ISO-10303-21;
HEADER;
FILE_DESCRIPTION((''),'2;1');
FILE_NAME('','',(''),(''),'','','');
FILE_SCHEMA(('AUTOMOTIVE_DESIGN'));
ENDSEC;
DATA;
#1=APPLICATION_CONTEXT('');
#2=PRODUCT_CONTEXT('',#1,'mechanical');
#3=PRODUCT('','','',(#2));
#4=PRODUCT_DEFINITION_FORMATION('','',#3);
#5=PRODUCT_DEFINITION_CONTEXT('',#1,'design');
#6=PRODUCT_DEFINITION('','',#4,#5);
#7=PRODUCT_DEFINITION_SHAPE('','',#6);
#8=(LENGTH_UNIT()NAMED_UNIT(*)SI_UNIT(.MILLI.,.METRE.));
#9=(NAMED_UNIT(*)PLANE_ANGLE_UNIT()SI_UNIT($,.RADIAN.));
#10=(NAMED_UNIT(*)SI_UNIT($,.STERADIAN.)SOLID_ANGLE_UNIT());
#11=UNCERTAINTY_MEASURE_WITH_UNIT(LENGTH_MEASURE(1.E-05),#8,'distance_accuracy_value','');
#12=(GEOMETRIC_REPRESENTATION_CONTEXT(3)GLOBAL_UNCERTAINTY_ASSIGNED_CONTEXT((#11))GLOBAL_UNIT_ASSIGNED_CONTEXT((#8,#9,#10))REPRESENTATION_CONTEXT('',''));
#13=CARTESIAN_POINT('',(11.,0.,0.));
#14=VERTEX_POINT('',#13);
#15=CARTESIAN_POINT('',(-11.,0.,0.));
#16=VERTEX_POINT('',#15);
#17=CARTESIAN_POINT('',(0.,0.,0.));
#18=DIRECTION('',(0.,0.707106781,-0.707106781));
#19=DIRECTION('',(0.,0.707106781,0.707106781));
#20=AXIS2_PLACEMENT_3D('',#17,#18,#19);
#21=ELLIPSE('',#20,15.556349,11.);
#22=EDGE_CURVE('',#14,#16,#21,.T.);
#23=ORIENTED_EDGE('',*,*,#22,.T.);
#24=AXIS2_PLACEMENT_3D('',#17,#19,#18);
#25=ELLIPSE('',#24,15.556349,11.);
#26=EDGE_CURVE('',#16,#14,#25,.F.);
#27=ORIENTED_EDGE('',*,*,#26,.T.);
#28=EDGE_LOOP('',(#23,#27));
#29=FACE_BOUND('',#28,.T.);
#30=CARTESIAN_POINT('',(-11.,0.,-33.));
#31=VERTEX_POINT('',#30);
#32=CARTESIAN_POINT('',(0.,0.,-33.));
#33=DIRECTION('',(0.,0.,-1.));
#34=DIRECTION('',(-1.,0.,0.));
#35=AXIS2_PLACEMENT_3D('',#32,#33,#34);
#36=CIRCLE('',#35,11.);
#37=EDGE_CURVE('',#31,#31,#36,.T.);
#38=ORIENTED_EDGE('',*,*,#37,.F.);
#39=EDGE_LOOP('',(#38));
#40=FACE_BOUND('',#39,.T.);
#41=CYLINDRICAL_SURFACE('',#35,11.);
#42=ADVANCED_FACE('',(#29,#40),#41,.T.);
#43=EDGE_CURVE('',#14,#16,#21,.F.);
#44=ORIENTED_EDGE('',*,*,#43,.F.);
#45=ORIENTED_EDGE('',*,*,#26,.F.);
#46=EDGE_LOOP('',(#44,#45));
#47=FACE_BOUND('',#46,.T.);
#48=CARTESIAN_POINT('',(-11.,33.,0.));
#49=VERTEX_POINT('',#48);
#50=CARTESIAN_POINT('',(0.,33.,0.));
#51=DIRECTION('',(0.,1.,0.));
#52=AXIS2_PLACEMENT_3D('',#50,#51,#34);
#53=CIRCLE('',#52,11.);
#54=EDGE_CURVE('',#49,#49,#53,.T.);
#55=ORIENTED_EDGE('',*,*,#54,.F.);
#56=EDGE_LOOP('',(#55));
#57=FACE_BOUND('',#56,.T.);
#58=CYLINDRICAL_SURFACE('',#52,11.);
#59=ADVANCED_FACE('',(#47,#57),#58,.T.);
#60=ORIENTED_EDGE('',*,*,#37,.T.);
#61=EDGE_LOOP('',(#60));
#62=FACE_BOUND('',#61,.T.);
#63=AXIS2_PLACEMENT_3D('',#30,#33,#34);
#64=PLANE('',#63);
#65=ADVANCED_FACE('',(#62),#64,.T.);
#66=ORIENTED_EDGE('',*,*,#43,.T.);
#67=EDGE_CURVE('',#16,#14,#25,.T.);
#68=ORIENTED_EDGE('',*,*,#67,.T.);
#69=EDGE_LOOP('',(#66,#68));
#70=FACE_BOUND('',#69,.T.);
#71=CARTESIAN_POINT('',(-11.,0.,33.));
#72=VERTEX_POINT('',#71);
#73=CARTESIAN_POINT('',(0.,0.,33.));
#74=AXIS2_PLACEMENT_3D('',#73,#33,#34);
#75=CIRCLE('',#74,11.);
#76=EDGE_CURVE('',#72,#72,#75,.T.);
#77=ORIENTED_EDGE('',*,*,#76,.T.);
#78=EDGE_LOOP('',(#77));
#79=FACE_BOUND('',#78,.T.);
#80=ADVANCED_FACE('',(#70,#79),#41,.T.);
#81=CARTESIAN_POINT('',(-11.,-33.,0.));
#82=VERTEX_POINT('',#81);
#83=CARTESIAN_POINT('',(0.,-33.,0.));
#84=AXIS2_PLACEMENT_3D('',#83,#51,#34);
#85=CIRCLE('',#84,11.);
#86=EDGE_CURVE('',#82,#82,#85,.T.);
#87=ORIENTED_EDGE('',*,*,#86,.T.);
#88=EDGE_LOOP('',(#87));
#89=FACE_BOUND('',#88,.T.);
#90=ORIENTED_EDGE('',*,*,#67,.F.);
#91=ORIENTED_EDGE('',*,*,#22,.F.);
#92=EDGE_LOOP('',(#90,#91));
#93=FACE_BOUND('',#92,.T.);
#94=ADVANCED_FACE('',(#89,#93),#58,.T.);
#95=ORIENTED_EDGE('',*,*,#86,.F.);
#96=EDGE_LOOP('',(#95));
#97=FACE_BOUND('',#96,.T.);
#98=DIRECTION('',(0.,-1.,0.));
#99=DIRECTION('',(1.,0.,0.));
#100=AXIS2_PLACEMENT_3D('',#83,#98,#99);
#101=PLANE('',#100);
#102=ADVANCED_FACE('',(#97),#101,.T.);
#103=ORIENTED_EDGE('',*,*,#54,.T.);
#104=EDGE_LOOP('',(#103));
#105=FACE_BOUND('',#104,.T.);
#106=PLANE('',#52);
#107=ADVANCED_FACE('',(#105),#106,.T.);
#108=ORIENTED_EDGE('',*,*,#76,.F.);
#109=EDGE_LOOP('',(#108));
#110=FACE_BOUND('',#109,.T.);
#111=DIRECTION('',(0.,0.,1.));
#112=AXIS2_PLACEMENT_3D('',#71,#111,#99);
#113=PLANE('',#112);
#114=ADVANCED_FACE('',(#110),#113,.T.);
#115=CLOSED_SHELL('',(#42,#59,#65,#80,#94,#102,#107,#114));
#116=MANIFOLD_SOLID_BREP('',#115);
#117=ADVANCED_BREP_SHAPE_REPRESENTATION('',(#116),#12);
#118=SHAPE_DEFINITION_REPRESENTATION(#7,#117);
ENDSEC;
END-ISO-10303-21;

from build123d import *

# Parameters (mm, degrees)
SZKIC1_W = 11
SZKIC1_H = 66
SZKIC2_W = 11
SZKIC2_H = 66


with BuildPart() as part:
    # Szkic1 → Obrót1 (revolve)
    with BuildSketch(Plane.XY):
        with Locations((-5.5, 0)):
            Rectangle(SZKIC1_W, SZKIC1_H)
    revolve(axis=Axis((0, 33, 0), (0, -1, 0)))

    # Szkic2 → Obrót2 (revolve)
    with BuildSketch(Plane(origin=(0, 0, 0), x_dir=(1, 0, 0), z_dir=(0, 1, 0))):
        with Locations((-5.5, 0)):
            Rectangle(SZKIC2_W, SZKIC2_H)
    revolve(axis=Axis((0, 0, -33), (0, 0, 1)))


solid = part.part
